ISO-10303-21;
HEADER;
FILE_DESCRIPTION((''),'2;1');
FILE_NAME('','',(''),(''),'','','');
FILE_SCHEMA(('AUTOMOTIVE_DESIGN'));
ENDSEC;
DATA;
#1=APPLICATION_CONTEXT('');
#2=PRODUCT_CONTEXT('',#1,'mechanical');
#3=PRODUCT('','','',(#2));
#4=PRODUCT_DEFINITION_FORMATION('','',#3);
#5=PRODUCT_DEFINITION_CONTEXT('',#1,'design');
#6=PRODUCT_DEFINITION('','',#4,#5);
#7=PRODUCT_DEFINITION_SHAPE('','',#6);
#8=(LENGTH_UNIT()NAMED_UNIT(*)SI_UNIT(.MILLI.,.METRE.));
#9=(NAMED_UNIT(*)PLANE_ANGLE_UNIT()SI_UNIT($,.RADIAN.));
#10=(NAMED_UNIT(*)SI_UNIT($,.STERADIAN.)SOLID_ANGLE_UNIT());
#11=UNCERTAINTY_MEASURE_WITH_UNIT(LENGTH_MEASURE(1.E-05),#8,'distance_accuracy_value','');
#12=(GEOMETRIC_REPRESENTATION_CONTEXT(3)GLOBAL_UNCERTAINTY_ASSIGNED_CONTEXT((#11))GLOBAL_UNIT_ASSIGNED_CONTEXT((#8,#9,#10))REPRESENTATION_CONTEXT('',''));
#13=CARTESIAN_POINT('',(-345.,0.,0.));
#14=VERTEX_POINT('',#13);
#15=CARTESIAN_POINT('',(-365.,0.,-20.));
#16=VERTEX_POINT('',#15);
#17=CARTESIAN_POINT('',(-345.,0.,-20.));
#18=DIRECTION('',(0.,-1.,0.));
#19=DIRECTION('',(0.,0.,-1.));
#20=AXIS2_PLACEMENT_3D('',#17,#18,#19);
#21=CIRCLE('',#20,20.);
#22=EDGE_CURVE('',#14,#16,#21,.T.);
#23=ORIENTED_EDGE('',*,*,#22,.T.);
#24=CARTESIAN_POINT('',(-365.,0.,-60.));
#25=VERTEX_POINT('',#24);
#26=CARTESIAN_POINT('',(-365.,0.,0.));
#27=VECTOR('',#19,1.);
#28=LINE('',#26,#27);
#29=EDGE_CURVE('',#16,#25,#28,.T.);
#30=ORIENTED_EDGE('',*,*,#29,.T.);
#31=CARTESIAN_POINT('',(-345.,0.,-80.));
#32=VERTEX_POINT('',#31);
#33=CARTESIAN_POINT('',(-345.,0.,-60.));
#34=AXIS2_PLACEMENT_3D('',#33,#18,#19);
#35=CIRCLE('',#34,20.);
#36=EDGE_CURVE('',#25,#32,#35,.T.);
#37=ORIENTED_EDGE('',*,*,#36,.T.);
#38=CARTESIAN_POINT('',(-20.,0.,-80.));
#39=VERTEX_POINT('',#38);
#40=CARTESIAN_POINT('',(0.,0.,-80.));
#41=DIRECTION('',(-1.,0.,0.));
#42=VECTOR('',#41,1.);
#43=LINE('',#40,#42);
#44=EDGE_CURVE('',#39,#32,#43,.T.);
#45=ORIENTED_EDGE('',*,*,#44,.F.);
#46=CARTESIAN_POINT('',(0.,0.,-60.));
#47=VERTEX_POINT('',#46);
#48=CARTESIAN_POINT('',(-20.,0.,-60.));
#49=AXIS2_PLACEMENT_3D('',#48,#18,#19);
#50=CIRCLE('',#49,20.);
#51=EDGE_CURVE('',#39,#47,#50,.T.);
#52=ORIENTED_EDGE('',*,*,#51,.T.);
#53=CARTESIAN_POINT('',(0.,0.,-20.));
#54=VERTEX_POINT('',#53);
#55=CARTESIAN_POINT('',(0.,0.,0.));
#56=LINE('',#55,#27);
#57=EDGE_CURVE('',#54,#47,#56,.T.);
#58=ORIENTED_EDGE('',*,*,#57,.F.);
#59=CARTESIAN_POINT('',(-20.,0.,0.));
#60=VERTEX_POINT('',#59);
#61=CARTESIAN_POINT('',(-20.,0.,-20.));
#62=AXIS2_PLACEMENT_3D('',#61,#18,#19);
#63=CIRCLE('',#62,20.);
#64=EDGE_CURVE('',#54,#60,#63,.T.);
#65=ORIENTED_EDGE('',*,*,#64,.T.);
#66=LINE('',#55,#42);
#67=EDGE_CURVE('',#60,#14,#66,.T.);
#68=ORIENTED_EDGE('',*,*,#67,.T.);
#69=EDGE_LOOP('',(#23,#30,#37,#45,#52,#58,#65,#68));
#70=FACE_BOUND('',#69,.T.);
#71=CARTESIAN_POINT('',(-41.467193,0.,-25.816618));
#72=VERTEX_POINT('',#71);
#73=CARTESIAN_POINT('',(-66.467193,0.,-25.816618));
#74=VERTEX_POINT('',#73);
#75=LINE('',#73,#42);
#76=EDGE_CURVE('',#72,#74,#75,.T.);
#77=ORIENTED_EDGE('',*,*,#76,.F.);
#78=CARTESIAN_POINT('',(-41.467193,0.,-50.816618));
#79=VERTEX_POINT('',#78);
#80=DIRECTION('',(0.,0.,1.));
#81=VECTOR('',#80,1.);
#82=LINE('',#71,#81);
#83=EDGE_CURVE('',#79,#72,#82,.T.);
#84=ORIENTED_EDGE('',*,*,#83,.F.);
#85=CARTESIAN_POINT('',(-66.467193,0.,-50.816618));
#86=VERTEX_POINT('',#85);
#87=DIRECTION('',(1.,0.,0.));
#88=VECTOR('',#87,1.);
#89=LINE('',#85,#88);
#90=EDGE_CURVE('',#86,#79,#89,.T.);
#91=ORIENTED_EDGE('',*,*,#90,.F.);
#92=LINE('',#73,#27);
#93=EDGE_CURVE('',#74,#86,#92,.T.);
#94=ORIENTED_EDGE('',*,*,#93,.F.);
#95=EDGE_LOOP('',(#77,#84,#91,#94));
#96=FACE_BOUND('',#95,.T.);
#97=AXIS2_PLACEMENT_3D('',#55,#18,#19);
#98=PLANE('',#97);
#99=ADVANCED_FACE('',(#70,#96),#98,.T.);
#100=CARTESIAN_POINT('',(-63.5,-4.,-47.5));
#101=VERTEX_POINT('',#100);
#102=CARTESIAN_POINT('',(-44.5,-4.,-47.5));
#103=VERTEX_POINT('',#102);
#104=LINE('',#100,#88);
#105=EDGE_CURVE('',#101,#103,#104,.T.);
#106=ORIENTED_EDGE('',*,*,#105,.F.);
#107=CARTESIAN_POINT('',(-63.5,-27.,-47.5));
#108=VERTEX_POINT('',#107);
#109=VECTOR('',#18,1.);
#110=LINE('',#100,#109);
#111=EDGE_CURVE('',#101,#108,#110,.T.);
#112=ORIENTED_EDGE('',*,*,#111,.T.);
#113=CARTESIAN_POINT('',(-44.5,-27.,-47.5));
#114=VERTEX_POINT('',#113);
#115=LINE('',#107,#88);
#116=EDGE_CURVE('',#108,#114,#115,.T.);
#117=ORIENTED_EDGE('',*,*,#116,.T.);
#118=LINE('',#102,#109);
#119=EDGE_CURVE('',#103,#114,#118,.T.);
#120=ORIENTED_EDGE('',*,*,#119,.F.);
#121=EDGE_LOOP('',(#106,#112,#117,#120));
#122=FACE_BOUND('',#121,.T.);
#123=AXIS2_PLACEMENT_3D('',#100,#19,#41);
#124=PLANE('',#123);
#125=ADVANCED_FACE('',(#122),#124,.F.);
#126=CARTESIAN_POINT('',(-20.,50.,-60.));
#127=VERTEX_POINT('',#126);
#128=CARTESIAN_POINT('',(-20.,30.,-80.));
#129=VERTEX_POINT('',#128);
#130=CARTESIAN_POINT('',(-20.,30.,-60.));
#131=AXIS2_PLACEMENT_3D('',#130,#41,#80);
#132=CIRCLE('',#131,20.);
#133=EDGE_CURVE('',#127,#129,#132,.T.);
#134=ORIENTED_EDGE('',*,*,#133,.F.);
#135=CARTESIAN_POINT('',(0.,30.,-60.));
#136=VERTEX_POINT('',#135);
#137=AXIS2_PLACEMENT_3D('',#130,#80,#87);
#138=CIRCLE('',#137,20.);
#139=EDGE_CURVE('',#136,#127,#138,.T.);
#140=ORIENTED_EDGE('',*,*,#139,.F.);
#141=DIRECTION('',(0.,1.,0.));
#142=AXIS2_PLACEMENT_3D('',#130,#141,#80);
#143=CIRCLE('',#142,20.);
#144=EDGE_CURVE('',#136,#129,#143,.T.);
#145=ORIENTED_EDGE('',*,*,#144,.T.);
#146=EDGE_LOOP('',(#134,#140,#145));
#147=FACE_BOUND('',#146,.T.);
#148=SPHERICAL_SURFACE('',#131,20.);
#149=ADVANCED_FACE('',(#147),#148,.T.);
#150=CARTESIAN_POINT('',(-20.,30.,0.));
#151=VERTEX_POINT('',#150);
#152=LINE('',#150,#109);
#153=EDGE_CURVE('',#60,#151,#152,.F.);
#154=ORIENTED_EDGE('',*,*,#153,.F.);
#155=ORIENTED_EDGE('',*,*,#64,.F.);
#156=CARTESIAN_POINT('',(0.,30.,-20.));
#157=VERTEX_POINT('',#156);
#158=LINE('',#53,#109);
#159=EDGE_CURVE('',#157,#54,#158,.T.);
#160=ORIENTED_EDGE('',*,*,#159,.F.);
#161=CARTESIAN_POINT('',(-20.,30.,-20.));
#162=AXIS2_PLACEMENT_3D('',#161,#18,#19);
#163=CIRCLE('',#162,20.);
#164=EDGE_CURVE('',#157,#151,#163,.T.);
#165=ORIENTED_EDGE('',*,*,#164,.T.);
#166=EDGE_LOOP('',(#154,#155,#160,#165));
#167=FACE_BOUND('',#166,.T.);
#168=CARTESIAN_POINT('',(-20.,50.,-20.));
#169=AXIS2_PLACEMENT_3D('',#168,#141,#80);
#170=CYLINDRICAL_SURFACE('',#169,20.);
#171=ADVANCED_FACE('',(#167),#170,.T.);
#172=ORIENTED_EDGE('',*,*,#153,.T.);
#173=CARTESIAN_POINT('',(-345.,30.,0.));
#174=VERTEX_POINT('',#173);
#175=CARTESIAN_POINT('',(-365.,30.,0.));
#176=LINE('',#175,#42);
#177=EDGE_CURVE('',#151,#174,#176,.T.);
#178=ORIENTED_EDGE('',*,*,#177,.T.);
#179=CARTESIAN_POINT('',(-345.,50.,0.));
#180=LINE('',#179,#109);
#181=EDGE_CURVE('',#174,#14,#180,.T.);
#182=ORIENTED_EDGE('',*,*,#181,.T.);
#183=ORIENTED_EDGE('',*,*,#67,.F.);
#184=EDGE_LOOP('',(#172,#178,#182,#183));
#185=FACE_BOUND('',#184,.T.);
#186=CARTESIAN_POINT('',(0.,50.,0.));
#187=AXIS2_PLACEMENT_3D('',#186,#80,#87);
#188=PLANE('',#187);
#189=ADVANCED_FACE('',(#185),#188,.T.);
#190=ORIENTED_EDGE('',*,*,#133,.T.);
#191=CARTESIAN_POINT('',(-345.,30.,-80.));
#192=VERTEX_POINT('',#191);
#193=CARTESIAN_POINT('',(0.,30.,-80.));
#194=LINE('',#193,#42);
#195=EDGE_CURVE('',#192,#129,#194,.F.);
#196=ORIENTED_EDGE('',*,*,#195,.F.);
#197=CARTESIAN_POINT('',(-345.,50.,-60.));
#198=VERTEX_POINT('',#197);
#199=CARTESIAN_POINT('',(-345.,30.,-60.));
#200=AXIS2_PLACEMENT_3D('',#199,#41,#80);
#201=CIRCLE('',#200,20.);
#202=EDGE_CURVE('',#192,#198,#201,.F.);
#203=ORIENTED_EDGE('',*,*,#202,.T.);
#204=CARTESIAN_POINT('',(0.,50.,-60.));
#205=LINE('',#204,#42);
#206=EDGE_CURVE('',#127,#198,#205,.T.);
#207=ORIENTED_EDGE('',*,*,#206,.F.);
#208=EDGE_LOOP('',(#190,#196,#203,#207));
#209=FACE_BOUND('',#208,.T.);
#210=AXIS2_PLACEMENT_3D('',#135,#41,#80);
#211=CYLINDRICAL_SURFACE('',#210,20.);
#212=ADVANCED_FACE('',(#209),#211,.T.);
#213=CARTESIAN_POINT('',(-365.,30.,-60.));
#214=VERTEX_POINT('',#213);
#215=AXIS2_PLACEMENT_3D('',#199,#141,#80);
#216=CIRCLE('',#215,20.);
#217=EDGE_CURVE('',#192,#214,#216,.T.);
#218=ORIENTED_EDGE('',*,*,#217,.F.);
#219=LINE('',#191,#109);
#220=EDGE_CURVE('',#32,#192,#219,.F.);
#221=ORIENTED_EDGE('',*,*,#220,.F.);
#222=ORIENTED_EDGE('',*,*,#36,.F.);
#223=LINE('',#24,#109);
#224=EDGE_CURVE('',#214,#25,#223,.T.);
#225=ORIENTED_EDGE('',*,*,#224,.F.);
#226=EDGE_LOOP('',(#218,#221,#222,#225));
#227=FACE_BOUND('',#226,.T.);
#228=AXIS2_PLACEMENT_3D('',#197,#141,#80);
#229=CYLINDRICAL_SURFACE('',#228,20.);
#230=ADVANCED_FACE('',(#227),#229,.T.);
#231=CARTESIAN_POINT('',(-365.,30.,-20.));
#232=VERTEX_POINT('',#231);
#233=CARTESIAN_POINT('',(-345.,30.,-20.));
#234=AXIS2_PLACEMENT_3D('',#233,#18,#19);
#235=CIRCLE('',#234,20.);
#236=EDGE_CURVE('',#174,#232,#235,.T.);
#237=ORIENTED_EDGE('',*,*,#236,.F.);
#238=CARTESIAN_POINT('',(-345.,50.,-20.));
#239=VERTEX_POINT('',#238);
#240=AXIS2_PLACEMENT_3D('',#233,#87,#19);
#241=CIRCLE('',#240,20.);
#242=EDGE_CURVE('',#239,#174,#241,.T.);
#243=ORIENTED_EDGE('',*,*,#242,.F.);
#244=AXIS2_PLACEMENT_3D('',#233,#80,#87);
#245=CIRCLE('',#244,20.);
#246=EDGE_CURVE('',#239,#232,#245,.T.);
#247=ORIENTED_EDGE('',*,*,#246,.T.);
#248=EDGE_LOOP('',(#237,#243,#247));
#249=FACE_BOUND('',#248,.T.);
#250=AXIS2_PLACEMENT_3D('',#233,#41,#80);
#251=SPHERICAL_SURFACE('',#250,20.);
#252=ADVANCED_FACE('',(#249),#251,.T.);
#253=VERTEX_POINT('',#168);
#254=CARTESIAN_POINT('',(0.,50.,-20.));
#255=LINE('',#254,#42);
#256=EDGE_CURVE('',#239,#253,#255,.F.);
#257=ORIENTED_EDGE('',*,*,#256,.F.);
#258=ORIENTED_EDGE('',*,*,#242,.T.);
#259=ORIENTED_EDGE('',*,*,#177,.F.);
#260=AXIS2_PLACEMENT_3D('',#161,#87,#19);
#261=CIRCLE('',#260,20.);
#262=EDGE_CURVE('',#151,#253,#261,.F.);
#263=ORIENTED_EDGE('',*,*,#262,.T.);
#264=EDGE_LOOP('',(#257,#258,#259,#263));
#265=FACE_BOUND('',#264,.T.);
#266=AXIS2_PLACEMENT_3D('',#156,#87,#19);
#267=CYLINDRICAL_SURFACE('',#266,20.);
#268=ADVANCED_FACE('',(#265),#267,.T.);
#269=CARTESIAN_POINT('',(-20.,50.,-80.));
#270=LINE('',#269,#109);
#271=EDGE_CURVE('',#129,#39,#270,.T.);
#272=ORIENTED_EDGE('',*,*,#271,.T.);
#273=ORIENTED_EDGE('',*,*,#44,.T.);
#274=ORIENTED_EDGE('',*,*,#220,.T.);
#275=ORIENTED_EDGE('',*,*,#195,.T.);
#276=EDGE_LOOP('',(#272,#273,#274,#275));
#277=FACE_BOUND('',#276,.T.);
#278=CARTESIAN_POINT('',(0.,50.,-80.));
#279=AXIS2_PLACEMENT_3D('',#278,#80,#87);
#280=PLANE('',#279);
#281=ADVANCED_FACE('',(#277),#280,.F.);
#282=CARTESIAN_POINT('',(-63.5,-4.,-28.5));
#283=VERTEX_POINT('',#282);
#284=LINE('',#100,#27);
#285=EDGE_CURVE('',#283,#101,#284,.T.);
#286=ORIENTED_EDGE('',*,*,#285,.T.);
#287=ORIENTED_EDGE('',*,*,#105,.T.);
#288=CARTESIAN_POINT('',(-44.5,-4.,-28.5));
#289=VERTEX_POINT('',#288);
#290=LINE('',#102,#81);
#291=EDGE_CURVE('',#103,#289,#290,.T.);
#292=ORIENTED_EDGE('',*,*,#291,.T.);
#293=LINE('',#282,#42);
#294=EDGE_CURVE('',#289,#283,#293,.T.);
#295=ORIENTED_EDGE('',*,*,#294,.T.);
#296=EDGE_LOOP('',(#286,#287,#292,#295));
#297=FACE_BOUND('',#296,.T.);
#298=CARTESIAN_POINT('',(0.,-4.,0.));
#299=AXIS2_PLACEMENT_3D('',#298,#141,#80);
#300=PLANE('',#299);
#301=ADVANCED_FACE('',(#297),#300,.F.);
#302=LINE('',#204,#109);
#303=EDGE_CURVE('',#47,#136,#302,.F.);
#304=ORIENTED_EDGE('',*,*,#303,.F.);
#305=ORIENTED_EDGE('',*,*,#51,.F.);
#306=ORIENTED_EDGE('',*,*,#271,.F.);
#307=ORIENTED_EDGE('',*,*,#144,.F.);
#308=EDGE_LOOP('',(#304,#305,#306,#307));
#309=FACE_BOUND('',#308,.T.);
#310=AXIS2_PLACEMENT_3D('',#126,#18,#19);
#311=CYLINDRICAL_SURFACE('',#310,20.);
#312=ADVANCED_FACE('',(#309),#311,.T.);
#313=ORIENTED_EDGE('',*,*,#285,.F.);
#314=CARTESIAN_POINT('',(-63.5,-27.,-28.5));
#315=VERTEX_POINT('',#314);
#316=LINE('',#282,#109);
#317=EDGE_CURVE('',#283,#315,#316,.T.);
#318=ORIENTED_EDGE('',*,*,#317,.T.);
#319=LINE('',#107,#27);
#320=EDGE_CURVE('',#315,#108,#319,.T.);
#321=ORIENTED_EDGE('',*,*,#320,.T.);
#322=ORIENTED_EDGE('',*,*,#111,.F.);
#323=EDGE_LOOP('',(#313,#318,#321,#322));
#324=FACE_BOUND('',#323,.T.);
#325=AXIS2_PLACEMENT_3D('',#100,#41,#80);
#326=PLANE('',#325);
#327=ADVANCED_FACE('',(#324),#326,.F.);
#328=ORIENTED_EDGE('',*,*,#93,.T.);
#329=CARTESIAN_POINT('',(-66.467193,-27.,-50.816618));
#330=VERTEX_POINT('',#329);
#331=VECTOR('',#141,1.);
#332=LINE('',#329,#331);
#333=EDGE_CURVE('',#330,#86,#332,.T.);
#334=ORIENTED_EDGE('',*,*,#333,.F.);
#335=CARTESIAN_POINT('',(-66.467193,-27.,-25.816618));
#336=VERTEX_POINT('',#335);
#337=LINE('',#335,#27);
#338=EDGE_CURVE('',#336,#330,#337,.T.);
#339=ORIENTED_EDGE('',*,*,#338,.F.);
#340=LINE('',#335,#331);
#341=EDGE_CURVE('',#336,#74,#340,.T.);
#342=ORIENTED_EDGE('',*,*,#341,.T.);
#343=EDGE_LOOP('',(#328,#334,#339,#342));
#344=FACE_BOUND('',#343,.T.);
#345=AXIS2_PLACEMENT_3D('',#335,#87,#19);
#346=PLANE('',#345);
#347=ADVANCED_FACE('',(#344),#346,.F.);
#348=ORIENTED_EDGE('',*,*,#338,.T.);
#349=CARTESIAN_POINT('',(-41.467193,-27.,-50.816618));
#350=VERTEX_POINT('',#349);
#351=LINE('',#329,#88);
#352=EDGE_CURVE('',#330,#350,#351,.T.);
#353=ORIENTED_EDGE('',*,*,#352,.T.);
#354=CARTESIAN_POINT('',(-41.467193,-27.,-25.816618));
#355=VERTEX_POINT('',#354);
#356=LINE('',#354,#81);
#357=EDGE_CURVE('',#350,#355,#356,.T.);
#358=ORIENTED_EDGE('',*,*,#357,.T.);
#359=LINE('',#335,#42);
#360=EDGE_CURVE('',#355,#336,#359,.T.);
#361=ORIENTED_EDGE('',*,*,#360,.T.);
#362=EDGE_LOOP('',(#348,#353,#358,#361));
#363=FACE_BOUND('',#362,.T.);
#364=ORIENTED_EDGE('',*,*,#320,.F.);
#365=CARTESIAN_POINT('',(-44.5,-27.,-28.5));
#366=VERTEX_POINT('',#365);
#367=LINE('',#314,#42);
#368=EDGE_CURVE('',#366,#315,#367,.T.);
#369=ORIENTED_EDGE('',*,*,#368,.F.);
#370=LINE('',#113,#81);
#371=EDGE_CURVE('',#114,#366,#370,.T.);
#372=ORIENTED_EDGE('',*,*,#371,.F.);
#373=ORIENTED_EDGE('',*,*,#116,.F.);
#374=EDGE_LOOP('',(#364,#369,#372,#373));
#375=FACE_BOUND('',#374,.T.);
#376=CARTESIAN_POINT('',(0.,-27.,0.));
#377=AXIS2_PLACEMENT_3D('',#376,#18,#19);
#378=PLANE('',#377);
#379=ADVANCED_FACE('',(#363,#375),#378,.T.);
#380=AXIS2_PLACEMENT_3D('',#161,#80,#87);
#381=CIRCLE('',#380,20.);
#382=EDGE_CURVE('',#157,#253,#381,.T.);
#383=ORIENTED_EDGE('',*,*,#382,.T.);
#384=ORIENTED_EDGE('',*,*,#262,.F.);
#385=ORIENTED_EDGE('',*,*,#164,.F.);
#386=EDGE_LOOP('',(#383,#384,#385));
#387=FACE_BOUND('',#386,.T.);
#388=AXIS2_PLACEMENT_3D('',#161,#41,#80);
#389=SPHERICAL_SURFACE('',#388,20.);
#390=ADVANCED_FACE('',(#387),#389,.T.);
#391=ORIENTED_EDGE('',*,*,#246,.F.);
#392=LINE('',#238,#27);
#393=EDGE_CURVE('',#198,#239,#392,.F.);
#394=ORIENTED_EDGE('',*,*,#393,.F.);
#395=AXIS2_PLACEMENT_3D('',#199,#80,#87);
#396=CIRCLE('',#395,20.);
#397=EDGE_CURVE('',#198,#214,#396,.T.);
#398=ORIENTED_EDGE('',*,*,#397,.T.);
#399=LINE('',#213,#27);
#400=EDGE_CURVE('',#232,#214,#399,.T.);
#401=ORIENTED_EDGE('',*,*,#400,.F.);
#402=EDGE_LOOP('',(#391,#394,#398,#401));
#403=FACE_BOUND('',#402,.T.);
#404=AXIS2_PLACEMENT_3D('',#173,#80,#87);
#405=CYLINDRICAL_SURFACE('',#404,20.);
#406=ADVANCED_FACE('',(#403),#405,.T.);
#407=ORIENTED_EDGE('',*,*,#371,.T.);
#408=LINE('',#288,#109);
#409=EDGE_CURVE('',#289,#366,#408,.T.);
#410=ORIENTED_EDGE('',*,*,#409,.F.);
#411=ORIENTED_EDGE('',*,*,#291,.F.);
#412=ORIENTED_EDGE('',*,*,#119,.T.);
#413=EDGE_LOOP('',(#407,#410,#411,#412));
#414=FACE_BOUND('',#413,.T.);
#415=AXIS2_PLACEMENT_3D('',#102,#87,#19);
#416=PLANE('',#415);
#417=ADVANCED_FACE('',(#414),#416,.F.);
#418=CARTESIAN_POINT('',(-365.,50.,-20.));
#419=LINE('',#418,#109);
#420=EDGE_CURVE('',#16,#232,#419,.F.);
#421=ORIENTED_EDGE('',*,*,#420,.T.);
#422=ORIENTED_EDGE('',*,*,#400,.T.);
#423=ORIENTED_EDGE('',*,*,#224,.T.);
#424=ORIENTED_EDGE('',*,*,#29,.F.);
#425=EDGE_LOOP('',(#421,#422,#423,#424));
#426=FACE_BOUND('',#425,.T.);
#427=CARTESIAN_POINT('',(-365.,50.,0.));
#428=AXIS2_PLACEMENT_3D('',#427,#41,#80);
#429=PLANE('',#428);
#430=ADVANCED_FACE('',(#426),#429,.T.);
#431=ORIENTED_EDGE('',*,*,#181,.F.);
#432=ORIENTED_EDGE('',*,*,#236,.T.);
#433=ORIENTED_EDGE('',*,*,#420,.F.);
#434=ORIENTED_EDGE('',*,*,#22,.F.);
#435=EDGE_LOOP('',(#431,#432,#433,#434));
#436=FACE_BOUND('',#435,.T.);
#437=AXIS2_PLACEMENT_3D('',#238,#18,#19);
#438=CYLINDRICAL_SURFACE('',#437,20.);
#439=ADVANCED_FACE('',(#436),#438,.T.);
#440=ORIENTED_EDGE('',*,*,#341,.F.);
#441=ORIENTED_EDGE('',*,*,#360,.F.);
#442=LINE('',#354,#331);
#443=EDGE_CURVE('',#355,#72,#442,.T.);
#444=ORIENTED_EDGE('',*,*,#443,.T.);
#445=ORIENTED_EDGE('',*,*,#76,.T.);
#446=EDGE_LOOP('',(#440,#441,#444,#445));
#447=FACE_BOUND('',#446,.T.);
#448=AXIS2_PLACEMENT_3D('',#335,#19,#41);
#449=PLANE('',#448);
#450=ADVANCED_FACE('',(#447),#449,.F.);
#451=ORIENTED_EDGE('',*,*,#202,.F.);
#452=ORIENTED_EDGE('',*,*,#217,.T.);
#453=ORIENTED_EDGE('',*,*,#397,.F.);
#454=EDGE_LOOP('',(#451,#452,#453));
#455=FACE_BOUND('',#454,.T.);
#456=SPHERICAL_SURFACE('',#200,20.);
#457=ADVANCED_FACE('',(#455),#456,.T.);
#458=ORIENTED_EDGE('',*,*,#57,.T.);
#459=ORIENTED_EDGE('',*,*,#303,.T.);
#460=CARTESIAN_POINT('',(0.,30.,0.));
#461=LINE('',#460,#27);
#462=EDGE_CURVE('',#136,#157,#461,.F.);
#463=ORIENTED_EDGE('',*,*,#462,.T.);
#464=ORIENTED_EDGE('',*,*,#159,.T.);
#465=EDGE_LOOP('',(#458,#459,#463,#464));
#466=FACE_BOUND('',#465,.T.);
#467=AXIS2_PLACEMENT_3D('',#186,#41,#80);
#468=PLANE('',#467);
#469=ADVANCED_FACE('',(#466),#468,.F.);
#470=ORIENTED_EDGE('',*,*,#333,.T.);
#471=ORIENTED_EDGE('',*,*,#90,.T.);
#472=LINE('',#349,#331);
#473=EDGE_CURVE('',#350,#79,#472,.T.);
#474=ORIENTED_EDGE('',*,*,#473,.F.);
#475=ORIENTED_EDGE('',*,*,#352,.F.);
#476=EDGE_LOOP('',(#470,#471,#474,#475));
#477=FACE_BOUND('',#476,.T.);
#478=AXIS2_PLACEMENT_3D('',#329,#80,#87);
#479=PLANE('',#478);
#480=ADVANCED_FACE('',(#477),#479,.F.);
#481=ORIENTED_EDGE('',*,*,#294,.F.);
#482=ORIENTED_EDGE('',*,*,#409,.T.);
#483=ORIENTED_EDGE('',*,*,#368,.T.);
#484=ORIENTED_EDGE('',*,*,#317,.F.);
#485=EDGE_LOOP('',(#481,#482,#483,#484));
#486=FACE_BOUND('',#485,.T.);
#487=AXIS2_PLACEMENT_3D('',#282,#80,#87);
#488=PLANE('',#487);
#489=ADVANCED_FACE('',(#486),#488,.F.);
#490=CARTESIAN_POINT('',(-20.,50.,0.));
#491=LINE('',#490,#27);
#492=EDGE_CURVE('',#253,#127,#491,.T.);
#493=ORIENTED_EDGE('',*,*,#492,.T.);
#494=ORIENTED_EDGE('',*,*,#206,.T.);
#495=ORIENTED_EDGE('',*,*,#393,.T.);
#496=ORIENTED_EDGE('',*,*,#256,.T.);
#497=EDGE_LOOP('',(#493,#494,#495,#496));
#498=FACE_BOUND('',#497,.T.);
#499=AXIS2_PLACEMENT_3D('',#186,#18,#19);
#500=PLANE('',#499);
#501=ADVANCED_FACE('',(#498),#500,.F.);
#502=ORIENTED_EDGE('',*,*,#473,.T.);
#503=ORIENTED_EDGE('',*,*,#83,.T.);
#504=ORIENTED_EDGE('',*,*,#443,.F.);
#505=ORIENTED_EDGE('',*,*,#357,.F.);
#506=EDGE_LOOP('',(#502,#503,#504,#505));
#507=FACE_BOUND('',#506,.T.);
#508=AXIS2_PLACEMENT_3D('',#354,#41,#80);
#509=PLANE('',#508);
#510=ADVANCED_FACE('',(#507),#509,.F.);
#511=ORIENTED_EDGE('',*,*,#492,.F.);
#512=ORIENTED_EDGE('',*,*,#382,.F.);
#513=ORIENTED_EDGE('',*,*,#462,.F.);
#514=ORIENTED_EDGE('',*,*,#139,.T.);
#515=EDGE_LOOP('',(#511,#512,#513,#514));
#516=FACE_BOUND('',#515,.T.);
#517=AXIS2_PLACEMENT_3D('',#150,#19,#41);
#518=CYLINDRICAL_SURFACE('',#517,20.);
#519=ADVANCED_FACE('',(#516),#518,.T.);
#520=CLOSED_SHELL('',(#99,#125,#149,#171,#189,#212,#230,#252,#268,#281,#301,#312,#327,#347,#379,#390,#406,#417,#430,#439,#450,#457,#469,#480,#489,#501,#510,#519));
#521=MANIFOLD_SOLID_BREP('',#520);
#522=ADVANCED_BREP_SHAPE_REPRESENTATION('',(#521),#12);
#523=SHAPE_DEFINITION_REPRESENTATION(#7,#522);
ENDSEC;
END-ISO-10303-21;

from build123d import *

# Parameters (mm, degrees)
CROQUIS1_W              = 365
CROQUIS1_H              = 80
SALIENTE_EXTRUIR1_DEPTH = 50
REDONDEO1_R             = 20
REDONDEO2_R             = 20
REDONDEO3_R             = 20
REDONDEO4_R             = 20
CROQUIS2_W              = 25
CROQUIS2_H              = 25
SALIENTE_EXTRUIR2_DEPTH = 27
CROQUIS3_W              = 19
CROQUIS3_H              = 19
CORTAR_EXTRUIR1_DEPTH   = 23


with BuildPart() as part:
    # Croquis1 → Saliente-Extruir1 (new body)
    with BuildSketch(Plane(origin=(0, 0, 0), x_dir=(1, 0, 0), z_dir=(0, 1, 0))):
        with Locations((-182.5, 40)):
            Rectangle(CROQUIS1_W, CROQUIS1_H)
    extrude(amount=SALIENTE_EXTRUIR1_DEPTH)

    # Redondeo1
    redondeo1_edges = [part.edges().sort_by_distance(p)[0] for p in [
        (-182.5, 50, -80),
    ]]
    fillet(redondeo1_edges, radius=REDONDEO1_R)

    # Redondeo2
    redondeo2_edges = [part.edges().sort_by_distance(p)[0] for p in [
        (-182.5, 50, 0),
    ]]
    fillet(redondeo2_edges, radius=REDONDEO2_R)

    # Redondeo3
    redondeo3_edges = [part.edges().sort_by_distance(p)[0] for p in [
        (0, 15, -80),
        (0, 44.142135624, -74.142135624),
        (0, 15, 0),
        (0, 50, -40),
        (0, 44.142135624, -5.857864376),
    ]]
    fillet(redondeo3_edges, radius=REDONDEO3_R)

    # Redondeo4
    redondeo4_edges = [part.edges().sort_by_distance(p)[0] for p in [
        (-365, 15, -80),
        (-365, 44.142135624, -74.142135624),
        (-365, 15, 0),
        (-365, 50, -40),
        (-365, 44.142135624, -5.857864376),
    ]]
    fillet(redondeo4_edges, radius=REDONDEO4_R)

    # Croquis2 → Saliente-Extruir2 (add)
    with BuildSketch(Plane.XZ):
        with Locations((-53.967193185, -38.316617584)):
            Rectangle(CROQUIS2_W, CROQUIS2_H)
    extrude(amount=SALIENTE_EXTRUIR2_DEPTH)

    # Croquis3 → Cortar-Extruir1 (cut)
    with BuildSketch(Plane.XZ.offset(27)):
        with Locations((-54, -38)):
            Rectangle(CROQUIS3_W, CROQUIS3_H)
    extrude(amount=-CORTAR_EXTRUIR1_DEPTH, mode=Mode.SUBTRACT)


solid = part.part
